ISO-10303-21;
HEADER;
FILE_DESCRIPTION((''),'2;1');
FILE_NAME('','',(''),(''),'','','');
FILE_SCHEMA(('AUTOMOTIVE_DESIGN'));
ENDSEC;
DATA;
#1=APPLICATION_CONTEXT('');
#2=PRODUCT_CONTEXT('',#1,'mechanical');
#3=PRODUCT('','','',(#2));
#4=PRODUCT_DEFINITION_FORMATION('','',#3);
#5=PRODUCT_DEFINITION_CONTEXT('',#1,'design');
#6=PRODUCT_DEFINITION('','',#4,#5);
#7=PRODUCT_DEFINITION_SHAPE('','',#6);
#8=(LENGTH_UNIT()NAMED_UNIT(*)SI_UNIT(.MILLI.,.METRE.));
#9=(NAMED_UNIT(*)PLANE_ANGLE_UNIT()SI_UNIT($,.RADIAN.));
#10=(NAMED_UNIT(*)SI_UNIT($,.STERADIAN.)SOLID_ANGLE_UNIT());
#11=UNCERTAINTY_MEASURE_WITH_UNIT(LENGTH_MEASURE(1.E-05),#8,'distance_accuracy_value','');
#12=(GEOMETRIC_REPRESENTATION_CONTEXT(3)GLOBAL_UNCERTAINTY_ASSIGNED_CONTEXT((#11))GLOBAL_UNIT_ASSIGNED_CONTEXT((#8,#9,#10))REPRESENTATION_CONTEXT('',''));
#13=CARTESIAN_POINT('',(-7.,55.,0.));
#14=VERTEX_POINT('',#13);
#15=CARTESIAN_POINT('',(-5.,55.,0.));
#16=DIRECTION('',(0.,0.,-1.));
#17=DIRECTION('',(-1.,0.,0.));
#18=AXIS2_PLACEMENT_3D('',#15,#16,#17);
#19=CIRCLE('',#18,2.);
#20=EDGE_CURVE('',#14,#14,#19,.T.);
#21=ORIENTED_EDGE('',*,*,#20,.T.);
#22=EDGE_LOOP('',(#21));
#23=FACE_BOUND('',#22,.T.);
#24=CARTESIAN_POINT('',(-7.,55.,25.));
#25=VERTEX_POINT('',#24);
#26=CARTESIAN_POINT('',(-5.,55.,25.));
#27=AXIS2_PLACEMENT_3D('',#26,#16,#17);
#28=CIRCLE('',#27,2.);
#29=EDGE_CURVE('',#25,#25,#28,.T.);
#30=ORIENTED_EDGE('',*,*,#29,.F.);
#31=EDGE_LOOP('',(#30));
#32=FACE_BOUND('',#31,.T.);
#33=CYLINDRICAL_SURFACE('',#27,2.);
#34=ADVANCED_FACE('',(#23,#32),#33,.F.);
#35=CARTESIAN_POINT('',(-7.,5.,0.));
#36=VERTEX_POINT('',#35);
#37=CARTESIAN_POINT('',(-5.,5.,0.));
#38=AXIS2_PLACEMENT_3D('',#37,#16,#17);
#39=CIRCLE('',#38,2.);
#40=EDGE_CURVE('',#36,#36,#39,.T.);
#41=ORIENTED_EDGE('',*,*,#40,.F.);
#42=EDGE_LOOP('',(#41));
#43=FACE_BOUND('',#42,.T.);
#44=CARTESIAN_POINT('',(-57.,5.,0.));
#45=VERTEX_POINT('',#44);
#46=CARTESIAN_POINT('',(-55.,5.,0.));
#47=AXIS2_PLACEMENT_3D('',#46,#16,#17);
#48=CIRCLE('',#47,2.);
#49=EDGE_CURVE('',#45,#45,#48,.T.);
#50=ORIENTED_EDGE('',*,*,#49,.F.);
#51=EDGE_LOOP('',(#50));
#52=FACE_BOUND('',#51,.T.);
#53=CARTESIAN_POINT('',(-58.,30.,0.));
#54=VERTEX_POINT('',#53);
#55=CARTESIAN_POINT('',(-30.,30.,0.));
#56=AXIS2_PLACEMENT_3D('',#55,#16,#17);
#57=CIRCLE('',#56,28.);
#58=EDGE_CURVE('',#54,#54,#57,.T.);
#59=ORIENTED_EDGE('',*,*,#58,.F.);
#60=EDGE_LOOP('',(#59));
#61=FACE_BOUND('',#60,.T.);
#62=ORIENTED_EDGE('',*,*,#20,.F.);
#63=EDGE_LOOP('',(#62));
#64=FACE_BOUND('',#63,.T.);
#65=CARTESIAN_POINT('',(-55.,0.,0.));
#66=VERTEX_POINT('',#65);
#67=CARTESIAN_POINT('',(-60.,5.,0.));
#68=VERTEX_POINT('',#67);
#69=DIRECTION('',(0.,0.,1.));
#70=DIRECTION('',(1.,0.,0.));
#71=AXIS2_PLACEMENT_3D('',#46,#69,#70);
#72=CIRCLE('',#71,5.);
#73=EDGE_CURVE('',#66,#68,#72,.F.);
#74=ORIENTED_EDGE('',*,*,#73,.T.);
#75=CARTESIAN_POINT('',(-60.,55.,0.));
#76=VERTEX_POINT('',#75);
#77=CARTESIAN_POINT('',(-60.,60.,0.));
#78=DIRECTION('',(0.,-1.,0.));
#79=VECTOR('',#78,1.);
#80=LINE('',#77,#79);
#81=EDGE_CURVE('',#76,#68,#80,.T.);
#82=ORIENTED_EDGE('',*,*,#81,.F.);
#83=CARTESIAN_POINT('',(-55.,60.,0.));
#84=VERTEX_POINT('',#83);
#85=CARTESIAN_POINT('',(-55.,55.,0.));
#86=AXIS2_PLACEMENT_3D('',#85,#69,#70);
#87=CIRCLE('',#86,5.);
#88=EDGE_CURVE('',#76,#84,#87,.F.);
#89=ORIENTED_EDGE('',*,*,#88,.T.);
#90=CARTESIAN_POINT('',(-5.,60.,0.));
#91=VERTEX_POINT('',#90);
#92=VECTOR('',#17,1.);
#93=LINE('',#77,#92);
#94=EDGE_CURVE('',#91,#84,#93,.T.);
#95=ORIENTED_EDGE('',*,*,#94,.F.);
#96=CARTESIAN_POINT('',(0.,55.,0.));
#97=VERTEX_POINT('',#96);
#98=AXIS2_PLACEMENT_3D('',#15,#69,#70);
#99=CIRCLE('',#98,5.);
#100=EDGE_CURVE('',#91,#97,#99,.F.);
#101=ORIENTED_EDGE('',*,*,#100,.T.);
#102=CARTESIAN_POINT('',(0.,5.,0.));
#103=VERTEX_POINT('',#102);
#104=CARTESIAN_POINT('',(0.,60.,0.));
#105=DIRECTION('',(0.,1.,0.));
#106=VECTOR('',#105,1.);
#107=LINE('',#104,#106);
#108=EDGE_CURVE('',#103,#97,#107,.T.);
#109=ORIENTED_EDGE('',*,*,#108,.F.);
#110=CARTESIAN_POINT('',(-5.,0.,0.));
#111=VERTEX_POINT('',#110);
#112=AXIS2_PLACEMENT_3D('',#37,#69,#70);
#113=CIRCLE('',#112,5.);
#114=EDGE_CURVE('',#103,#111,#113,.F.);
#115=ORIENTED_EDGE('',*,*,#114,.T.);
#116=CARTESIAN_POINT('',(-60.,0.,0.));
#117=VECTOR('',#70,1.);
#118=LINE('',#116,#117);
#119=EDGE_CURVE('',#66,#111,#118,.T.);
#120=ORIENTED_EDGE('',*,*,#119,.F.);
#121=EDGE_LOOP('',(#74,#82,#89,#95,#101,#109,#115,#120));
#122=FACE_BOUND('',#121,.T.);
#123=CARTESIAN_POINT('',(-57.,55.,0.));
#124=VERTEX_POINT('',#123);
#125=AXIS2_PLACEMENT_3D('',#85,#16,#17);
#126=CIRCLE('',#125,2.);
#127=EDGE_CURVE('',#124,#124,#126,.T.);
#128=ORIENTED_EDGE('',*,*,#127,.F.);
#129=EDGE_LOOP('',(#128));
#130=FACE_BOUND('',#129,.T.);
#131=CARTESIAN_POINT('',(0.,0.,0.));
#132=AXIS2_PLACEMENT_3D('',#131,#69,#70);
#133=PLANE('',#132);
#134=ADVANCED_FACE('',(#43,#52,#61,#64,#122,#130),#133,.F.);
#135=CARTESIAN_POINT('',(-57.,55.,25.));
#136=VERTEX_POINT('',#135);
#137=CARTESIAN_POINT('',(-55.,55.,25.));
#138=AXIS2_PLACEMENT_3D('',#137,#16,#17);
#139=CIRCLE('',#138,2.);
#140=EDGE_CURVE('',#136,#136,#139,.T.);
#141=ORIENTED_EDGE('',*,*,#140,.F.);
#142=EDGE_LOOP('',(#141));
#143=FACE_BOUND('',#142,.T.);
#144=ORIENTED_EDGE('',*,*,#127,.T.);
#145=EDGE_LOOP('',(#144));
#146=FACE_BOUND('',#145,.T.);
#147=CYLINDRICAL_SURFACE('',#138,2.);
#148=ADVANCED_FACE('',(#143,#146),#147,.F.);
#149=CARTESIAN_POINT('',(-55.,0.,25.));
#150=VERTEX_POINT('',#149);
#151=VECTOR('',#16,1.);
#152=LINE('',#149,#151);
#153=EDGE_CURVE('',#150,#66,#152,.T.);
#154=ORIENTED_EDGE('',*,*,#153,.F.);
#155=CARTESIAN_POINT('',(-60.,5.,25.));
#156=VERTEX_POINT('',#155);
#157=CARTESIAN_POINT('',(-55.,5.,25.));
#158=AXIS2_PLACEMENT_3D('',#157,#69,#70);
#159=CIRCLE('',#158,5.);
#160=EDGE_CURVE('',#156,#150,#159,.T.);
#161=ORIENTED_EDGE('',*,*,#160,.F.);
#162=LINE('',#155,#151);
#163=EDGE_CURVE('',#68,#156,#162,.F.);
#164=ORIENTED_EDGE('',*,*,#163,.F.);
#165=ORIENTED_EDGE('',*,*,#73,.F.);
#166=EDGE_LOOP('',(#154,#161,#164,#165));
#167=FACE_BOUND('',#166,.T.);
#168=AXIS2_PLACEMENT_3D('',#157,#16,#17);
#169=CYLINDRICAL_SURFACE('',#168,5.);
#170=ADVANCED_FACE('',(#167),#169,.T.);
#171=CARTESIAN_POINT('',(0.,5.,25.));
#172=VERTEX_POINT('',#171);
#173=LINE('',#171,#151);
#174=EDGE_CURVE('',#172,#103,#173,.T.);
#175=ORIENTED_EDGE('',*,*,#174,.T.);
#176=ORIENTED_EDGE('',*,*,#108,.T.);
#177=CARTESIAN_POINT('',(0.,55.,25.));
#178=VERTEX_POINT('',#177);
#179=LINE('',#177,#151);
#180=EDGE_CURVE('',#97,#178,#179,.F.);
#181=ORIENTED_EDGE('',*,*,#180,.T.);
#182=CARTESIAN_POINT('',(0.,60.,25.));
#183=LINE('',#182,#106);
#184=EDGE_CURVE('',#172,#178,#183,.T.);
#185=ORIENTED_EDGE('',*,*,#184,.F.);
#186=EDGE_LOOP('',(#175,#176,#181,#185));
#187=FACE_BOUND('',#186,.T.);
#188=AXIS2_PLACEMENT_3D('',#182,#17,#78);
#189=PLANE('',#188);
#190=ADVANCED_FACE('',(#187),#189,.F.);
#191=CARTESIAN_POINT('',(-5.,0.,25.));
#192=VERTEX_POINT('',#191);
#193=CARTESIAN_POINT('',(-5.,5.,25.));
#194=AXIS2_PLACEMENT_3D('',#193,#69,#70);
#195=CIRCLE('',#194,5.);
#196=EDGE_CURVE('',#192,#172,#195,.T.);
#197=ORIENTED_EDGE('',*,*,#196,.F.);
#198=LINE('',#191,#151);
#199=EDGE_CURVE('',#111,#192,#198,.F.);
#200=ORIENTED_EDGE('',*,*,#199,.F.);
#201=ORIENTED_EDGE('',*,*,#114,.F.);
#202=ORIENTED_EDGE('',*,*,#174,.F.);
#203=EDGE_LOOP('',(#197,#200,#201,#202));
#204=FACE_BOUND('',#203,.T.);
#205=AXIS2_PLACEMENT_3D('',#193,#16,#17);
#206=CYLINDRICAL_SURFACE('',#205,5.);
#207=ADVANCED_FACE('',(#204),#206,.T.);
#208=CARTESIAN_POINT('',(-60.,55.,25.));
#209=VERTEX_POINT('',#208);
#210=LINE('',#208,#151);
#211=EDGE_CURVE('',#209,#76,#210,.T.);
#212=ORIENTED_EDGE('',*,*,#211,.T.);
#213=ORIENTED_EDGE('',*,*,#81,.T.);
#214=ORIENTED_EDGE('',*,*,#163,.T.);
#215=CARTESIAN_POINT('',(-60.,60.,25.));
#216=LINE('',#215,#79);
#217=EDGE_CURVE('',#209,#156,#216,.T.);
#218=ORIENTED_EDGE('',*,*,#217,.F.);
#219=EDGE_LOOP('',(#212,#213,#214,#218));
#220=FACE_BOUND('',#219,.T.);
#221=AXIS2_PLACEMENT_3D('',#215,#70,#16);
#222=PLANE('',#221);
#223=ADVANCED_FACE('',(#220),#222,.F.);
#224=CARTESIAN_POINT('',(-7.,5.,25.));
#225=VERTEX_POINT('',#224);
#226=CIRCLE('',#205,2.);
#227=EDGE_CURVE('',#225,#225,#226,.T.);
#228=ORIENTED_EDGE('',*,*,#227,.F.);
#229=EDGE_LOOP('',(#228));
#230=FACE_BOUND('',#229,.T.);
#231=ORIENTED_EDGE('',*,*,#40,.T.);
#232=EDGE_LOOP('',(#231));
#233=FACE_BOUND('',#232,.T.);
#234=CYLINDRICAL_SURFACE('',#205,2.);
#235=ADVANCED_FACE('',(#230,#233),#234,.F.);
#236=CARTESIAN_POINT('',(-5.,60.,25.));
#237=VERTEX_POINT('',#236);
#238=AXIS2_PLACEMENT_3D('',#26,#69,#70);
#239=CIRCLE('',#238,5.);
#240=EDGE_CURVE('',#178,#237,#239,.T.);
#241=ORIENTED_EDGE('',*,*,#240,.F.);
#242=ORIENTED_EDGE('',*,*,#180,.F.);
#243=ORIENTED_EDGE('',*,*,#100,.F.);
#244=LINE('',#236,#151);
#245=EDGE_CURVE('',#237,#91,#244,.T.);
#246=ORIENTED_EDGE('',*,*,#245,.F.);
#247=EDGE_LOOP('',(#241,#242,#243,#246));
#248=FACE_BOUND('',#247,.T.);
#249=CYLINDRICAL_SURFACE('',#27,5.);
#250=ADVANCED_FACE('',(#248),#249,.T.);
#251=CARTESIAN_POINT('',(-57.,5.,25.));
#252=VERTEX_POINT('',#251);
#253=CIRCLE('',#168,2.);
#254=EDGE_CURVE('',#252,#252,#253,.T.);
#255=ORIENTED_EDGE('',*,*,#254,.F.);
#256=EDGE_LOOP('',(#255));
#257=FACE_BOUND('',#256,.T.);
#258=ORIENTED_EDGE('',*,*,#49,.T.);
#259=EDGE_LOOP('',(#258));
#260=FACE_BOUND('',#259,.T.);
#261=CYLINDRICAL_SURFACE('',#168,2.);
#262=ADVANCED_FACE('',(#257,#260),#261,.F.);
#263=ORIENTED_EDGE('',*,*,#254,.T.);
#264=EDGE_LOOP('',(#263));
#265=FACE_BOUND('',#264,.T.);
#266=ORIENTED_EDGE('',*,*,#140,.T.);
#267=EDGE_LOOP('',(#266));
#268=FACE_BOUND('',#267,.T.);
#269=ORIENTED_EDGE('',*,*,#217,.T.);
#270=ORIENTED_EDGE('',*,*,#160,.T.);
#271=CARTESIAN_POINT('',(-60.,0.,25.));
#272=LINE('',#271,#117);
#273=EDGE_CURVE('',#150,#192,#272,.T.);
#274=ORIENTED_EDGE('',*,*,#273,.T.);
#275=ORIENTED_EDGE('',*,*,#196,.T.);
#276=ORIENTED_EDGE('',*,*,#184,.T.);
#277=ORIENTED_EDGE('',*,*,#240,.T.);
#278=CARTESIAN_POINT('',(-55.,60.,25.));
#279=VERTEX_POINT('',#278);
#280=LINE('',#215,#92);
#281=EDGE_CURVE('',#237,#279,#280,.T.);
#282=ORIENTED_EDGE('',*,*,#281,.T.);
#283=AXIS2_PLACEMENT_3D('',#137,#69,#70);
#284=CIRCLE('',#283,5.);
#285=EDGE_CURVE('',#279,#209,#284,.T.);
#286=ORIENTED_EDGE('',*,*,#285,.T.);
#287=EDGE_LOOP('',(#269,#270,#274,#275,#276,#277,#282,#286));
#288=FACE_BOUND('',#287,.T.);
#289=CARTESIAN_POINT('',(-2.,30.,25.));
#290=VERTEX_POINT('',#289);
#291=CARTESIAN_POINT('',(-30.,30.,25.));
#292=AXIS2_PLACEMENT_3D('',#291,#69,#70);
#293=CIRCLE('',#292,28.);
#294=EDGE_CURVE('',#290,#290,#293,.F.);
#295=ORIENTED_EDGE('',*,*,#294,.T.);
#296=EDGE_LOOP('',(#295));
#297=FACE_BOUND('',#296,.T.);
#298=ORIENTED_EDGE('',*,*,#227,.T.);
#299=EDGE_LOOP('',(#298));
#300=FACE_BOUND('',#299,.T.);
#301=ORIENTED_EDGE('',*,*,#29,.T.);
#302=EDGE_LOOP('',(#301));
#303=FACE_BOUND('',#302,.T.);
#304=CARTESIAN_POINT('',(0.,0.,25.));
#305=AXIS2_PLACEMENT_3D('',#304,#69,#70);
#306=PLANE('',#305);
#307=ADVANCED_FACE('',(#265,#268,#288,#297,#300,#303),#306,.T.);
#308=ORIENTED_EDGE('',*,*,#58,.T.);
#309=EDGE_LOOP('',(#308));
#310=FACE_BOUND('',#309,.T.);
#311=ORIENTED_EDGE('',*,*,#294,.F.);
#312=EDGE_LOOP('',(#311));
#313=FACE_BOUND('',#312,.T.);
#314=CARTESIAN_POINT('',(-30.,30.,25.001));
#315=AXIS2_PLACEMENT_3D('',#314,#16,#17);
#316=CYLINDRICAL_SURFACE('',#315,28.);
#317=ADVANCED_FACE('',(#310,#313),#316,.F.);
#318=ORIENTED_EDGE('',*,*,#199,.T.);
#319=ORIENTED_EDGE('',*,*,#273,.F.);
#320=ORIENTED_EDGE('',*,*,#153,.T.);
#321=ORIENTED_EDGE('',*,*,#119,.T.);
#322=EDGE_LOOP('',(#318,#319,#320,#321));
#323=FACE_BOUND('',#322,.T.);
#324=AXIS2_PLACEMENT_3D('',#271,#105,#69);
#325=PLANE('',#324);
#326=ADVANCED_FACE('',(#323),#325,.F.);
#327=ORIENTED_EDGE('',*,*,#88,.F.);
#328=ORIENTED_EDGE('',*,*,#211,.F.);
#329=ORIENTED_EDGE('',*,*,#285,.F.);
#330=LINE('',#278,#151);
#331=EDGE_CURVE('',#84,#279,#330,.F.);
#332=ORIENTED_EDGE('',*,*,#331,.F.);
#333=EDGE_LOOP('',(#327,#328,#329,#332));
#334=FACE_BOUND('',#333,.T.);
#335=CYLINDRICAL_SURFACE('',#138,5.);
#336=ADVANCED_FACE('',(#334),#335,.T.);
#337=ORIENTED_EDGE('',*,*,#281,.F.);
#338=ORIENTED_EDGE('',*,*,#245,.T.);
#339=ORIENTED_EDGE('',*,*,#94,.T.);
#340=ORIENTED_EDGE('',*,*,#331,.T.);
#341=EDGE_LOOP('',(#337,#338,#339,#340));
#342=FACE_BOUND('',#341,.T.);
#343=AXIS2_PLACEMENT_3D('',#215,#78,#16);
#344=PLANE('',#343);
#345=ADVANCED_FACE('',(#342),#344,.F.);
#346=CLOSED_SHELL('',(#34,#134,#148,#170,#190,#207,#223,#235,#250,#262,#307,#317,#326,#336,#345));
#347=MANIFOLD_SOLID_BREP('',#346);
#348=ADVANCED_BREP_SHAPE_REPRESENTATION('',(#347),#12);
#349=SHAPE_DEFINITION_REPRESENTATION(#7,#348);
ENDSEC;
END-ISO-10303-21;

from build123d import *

# Parameters (mm, degrees)
ESQUISSE1_W             = 60
ESQUISSE1_H             = 60
BOSS_EXTRU_1_DEPTH      = 25
ENL_V_MAT_EXTRU_1_REACH = 90.459
ESQUISSE2_R             = 28
ESQUISSE3_R             = 2
ENL_V_MAT_EXTRU_2_DEPTH = 25
CONG_1_R                = 5


with BuildPart() as part:
    # Esquisse1 → Boss.-Extru.1 (new body)
    with BuildSketch(Plane.XY):
        with Locations((-30, 30)):
            Rectangle(ESQUISSE1_W, ESQUISSE1_H)
    extrude(amount=BOSS_EXTRU_1_DEPTH)

    # Esquisse2 → Enlèv. mat.-Extru.1 (cut, up to next)
    with BuildSketch(Plane(origin=(0, 0, 0), x_dir=(-1, 0, 0), z_dir=(0, 0, -1)), mode=Mode.PRIVATE) as enl_v_mat_extru_1_sk1:
        with Locations((30, 30)):
            Circle(ESQUISSE2_R)
    enl_v_mat_extru_1_tool1 = extrude(enl_v_mat_extru_1_sk1.sketch, amount=-ENL_V_MAT_EXTRU_1_REACH, mode=Mode.PRIVATE) & part.part
    add(enl_v_mat_extru_1_tool1.solids().sort_by_distance((-30, 30, 0))[0], mode=Mode.SUBTRACT)

    # Esquisse3 → Enlèv. mat.-Extru.2 (cut)
    with BuildSketch(Plane(origin=(0, 0, 0), x_dir=(-1, 0, 0), z_dir=(0, 0, -1))):
        with Locations((5, 55)):
            Circle(ESQUISSE3_R)
        with Locations((55, 55)):
            Circle(ESQUISSE3_R)
        with Locations((55, 5)):
            Circle(ESQUISSE3_R)
        with Locations((5, 5)):
            Circle(ESQUISSE3_R)
    extrude(amount=-ENL_V_MAT_EXTRU_2_DEPTH, mode=Mode.SUBTRACT)

    # Congé1
    cong_1_edges = [part.edges().sort_by_distance(p)[0] for p in [
        (0, 0, 12.5),
        (-60, 0, 12.5),
        (-60, 60, 12.5),
        (0, 60, 12.5),
    ]]
    fillet(cong_1_edges, radius=CONG_1_R)


solid = part.part
